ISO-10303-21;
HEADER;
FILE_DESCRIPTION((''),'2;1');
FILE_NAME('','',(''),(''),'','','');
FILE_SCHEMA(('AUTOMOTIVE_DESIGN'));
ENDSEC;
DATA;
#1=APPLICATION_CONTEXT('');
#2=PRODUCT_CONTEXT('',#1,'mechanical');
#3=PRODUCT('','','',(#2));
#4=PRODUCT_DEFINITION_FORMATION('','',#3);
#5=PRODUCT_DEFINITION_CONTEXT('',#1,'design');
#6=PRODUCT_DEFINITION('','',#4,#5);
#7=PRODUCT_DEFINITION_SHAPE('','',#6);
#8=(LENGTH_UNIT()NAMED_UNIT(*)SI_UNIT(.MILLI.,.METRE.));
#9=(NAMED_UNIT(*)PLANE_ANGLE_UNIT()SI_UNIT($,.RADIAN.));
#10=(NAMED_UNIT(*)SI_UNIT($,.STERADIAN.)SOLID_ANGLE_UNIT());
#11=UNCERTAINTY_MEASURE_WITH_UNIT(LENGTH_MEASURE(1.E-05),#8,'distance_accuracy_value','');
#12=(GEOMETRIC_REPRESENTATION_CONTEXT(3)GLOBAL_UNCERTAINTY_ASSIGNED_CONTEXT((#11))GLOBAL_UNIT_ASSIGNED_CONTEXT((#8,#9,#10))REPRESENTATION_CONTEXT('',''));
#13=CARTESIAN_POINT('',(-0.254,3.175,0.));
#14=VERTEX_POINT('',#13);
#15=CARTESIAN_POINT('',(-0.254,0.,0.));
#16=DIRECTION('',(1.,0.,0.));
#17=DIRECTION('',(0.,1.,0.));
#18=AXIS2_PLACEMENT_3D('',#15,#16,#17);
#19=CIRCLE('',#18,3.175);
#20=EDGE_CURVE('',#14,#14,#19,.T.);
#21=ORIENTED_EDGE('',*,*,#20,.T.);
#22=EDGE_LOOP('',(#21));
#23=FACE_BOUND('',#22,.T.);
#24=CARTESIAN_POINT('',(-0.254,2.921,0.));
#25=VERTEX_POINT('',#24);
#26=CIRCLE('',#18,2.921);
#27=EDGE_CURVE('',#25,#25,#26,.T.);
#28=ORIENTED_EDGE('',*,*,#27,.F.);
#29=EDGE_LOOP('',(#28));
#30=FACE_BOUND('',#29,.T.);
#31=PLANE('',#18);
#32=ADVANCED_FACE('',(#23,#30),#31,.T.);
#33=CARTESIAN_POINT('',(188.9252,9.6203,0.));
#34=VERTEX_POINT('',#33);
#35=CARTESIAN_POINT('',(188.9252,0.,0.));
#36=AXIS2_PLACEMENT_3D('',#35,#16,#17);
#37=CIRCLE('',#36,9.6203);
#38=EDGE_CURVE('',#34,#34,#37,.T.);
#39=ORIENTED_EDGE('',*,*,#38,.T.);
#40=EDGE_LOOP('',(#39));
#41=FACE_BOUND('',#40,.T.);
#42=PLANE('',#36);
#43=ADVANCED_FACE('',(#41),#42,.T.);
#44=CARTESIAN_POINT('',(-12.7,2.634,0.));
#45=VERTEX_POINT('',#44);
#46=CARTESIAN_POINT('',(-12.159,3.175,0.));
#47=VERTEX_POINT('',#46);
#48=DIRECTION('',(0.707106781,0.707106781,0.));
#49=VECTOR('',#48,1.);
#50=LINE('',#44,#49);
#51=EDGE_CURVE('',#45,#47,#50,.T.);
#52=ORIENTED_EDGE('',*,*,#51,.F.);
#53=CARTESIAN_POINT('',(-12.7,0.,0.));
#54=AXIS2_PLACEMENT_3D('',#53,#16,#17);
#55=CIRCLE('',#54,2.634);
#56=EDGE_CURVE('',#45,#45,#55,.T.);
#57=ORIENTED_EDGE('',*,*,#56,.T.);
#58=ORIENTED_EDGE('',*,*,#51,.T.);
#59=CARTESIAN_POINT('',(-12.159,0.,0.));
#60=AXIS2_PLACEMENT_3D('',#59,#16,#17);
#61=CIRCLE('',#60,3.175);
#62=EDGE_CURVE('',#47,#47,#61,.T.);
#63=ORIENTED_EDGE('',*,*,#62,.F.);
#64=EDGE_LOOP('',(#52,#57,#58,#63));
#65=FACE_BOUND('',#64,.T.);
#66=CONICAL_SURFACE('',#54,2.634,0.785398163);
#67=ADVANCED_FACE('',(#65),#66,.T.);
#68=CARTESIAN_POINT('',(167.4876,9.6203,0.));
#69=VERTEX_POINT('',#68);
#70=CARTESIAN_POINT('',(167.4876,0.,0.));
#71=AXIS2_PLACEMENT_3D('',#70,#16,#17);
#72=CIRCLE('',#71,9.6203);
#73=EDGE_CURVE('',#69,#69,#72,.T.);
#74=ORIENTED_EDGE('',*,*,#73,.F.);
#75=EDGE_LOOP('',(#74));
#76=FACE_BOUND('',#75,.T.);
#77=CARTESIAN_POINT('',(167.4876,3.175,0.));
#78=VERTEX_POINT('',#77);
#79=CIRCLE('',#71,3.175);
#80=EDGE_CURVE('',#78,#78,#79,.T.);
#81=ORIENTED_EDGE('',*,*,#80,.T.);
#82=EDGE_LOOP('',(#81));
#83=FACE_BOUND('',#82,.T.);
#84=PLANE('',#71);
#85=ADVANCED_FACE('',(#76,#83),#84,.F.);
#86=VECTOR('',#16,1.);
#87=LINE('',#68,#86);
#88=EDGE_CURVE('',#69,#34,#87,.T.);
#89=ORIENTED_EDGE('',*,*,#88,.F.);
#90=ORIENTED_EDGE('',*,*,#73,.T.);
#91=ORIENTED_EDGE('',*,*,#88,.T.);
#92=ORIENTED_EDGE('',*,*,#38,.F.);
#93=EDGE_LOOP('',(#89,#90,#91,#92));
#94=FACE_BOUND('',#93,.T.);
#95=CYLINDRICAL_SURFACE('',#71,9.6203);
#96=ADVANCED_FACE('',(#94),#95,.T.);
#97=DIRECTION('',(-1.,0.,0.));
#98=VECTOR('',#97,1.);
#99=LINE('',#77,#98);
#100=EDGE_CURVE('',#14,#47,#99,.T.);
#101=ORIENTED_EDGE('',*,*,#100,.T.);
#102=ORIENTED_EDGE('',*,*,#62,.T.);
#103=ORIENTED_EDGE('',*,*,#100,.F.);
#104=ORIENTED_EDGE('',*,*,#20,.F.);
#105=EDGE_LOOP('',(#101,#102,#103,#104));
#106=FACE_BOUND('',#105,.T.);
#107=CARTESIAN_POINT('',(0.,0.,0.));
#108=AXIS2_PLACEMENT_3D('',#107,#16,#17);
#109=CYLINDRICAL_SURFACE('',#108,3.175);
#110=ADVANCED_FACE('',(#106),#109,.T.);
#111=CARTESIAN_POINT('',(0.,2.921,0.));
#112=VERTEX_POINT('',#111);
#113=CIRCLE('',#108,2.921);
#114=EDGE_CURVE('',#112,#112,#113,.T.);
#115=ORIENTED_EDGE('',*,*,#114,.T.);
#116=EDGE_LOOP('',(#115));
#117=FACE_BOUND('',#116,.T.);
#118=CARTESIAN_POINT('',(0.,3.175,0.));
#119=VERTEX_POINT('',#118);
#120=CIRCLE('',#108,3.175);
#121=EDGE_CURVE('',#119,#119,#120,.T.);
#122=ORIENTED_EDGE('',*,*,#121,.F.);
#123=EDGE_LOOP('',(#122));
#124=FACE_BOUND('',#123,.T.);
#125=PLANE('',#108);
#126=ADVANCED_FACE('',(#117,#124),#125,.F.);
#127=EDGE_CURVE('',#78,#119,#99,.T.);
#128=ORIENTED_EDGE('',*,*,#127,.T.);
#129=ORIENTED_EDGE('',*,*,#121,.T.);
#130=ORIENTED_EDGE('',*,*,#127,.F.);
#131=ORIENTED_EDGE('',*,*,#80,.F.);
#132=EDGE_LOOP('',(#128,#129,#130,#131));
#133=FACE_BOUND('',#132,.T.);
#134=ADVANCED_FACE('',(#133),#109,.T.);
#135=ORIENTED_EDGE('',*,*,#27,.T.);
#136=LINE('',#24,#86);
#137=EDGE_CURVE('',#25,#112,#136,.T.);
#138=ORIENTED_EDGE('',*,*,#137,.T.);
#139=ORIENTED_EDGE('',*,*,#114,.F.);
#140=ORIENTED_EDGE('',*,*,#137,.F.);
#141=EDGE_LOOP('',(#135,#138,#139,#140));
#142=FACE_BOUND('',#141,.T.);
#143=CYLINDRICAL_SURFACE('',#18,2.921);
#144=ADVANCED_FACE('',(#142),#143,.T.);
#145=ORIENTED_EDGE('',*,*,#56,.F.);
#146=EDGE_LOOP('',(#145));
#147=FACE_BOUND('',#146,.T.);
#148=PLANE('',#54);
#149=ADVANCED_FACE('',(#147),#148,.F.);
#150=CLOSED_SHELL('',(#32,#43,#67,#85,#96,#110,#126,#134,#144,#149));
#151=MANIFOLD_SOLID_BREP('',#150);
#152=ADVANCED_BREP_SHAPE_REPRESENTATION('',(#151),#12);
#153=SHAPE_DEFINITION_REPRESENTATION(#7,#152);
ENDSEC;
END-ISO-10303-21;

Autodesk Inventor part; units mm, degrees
sketch "Sketch_1" plane through (0, 0, 0) normal (0, 0, 1) x (1, 0, 0)
  line L0 (188.9252, 0) -> (0, 0)
  line L1 (0, 0) -> (0, 3.175)
  line L2 (0, 3.175) -> (167.4876, 3.175)
  line L3 (167.4876, 3.175) -> (167.4876, 9.6203)
  line L4 (167.4876, 9.6203) -> (188.9252, 9.6203)
  line L5 (188.9252, 9.6203) -> (188.9252, 0)
  line L6 (188.9252, 0) -> (0, 0)
revolve "Revolution1" add sketch "Sketch_1" angle 360 about axis through (188.9252, 0, 0) along (1, 0, 0)
sketch "Sketch_3" plane through (0, 0, 0) normal (0, 0, 1) x (1, 0, 0)
  line L0 (0, 0) -> (-12.7, 0)
  line L1 (-12.7, 0) -> (-12.7, 2.634)
  line L2 (-12.7, 2.634) -> (-12.159, 3.175)
  line L3 (-12.159, 3.175) -> (0, 3.175)
  line L4 (0, 3.175) -> (0, 0)
  line L5 (0, 0) -> (-12.7, 0)
revolve "Revolution2" add sketch "Sketch_3" angle 360 about axis through (0, 0, 0) along (1, 0, 0)
thread "Thread1" size "1/4-28 UNF" class "2A" standard "ANSI Unified Screw Threads" length 12.159
sketch "Sketch_30" plane through (0, 0, 0) normal (0, 0, 1) x (1, 0, 0)
  line L0 (0, 0) -> (-0.254, 0)
  line L1 (-0.254, 2.921) -> (0, 2.921)
  line L2 (0, 2.921) -> (0, 3.429)
  line L3 (0, 3.429) -> (-0.254, 3.429)
  line L4 (-0.254, 3.429) -> (-0.254, 2.921)
revolve "Revolution3" cut sketch "Sketch_30" angle 360 about axis through (0, 0, 0) along (1, 0, 0)
ref_plane "dia1_XY" through (0, 3.175, 0) normal (1, 0, 0) x (0, 0, -1)
ref_plane "dia1_YZ" through (0, 3.175, 0) normal (0, 0, -1) x (0, 1, 0)
ref_plane "dia1_ZX" through (0, 3.175, 0) normal (0, 1, 0) x (1, 0, 0)
ref_plane "dia12_XY" through (0, 0, 10.9537) normal (1, 0, 0) x (0, 0, -1)
ref_plane "dia12_YZ" through (0, 0, 10.9537) normal (0, 0, -1) x (0, 1, 0)
ref_plane "dia12_ZX" through (0, 0, 10.9537) normal (0, 1, 0) x (1, 0, 0)
ref_plane "dia2_XY" through (0, -3.175, 0) normal (1, 0, 0) x (0, 0, -1)
ref_plane "dia2_YZ" through (0, -3.175, 0) normal (0, 0, -1) x (0, 1, 0)
ref_plane "dia2_ZX" through (0, -3.175, 0) normal (0, 1, 0) x (1, 0, 0)
ref_plane "dia22_XY" through (0, 0, -10.9537) normal (1, 0, 0) x (0, 0, -1)
ref_plane "dia22_YZ" through (0, 0, -10.9537) normal (0, 0, -1) x (0, 1, 0)
ref_plane "dia22_ZX" through (0, 0, -10.9537) normal (0, 1, 0) x (1, 0, 0)
ref_plane "rl1_XY" through (-12.7, 0, 0) normal (1, 0, 0) x (0, 0, -1)
ref_plane "rl1_YZ" through (-12.7, 0, 0) normal (0, 0, -1) x (0, 1, 0)
ref_plane "rl1_ZX" through (-12.7, 0, 0) normal (0, 1, 0) x (1, 0, 0)
ref_plane "rl2_XY" through (0, 0, 0) normal (1, 0, 0) x (0, 0, -1)
ref_plane "rl2_YZ" through (0, 0, 0) normal (0, 0, -1) x (0, 1, 0)
ref_plane "rl2_ZX" through (0, 0, 0) normal (0, 1, 0) x (1, 0, 0)
ref_plane "rod_cp_XY" through (0, 0, 0) normal (1, 0, 0) x (0, 0, -1)
ref_plane "rod_cp_YZ" through (0, 0, 0) normal (0, 0, -1) x (0, 1, 0)
ref_plane "rod_cp_ZX" through (0, 0, 0) normal (0, 1, 0) x (1, 0, 0)
ref_plane "thd1_XY" through (-12.7, 3.175, 0) normal (1, 0, 0) x (0, 0, -1)
ref_plane "thd1_YZ" through (-12.7, 3.175, 0) normal (0, 0, -1) x (0, 1, 0)
ref_plane "thd1_ZX" through (-12.7, 3.175, 0) normal (0, 1, 0) x (1, 0, 0)
ref_plane "thd2_XY" through (-12.7, -3.175, 0) normal (1, 0, 0) x (0, 0, -1)
ref_plane "thd2_YZ" through (-12.7, -3.175, 0) normal (0, 0, -1) x (0, 1, 0)
ref_plane "thd2_ZX" through (-12.7, -3.175, 0) normal (0, 1, 0) x (1, 0, 0)
ref_plane "to_rod_clevis_XY" through (-16.764, 0, 0) normal (1, 0, 0) x (0, 0, -1)
ref_plane "to_rod_clevis_YZ" through (-16.764, 0, 0) normal (0, 0, -1) x (0, 1, 0)
ref_plane "to_rod_clevis_ZX" through (-16.764, 0, 0) normal (0, 1, 0) x (1, 0, 0)
properties part number "C-045-DP0_rod" material "Steel, Galvanized"
